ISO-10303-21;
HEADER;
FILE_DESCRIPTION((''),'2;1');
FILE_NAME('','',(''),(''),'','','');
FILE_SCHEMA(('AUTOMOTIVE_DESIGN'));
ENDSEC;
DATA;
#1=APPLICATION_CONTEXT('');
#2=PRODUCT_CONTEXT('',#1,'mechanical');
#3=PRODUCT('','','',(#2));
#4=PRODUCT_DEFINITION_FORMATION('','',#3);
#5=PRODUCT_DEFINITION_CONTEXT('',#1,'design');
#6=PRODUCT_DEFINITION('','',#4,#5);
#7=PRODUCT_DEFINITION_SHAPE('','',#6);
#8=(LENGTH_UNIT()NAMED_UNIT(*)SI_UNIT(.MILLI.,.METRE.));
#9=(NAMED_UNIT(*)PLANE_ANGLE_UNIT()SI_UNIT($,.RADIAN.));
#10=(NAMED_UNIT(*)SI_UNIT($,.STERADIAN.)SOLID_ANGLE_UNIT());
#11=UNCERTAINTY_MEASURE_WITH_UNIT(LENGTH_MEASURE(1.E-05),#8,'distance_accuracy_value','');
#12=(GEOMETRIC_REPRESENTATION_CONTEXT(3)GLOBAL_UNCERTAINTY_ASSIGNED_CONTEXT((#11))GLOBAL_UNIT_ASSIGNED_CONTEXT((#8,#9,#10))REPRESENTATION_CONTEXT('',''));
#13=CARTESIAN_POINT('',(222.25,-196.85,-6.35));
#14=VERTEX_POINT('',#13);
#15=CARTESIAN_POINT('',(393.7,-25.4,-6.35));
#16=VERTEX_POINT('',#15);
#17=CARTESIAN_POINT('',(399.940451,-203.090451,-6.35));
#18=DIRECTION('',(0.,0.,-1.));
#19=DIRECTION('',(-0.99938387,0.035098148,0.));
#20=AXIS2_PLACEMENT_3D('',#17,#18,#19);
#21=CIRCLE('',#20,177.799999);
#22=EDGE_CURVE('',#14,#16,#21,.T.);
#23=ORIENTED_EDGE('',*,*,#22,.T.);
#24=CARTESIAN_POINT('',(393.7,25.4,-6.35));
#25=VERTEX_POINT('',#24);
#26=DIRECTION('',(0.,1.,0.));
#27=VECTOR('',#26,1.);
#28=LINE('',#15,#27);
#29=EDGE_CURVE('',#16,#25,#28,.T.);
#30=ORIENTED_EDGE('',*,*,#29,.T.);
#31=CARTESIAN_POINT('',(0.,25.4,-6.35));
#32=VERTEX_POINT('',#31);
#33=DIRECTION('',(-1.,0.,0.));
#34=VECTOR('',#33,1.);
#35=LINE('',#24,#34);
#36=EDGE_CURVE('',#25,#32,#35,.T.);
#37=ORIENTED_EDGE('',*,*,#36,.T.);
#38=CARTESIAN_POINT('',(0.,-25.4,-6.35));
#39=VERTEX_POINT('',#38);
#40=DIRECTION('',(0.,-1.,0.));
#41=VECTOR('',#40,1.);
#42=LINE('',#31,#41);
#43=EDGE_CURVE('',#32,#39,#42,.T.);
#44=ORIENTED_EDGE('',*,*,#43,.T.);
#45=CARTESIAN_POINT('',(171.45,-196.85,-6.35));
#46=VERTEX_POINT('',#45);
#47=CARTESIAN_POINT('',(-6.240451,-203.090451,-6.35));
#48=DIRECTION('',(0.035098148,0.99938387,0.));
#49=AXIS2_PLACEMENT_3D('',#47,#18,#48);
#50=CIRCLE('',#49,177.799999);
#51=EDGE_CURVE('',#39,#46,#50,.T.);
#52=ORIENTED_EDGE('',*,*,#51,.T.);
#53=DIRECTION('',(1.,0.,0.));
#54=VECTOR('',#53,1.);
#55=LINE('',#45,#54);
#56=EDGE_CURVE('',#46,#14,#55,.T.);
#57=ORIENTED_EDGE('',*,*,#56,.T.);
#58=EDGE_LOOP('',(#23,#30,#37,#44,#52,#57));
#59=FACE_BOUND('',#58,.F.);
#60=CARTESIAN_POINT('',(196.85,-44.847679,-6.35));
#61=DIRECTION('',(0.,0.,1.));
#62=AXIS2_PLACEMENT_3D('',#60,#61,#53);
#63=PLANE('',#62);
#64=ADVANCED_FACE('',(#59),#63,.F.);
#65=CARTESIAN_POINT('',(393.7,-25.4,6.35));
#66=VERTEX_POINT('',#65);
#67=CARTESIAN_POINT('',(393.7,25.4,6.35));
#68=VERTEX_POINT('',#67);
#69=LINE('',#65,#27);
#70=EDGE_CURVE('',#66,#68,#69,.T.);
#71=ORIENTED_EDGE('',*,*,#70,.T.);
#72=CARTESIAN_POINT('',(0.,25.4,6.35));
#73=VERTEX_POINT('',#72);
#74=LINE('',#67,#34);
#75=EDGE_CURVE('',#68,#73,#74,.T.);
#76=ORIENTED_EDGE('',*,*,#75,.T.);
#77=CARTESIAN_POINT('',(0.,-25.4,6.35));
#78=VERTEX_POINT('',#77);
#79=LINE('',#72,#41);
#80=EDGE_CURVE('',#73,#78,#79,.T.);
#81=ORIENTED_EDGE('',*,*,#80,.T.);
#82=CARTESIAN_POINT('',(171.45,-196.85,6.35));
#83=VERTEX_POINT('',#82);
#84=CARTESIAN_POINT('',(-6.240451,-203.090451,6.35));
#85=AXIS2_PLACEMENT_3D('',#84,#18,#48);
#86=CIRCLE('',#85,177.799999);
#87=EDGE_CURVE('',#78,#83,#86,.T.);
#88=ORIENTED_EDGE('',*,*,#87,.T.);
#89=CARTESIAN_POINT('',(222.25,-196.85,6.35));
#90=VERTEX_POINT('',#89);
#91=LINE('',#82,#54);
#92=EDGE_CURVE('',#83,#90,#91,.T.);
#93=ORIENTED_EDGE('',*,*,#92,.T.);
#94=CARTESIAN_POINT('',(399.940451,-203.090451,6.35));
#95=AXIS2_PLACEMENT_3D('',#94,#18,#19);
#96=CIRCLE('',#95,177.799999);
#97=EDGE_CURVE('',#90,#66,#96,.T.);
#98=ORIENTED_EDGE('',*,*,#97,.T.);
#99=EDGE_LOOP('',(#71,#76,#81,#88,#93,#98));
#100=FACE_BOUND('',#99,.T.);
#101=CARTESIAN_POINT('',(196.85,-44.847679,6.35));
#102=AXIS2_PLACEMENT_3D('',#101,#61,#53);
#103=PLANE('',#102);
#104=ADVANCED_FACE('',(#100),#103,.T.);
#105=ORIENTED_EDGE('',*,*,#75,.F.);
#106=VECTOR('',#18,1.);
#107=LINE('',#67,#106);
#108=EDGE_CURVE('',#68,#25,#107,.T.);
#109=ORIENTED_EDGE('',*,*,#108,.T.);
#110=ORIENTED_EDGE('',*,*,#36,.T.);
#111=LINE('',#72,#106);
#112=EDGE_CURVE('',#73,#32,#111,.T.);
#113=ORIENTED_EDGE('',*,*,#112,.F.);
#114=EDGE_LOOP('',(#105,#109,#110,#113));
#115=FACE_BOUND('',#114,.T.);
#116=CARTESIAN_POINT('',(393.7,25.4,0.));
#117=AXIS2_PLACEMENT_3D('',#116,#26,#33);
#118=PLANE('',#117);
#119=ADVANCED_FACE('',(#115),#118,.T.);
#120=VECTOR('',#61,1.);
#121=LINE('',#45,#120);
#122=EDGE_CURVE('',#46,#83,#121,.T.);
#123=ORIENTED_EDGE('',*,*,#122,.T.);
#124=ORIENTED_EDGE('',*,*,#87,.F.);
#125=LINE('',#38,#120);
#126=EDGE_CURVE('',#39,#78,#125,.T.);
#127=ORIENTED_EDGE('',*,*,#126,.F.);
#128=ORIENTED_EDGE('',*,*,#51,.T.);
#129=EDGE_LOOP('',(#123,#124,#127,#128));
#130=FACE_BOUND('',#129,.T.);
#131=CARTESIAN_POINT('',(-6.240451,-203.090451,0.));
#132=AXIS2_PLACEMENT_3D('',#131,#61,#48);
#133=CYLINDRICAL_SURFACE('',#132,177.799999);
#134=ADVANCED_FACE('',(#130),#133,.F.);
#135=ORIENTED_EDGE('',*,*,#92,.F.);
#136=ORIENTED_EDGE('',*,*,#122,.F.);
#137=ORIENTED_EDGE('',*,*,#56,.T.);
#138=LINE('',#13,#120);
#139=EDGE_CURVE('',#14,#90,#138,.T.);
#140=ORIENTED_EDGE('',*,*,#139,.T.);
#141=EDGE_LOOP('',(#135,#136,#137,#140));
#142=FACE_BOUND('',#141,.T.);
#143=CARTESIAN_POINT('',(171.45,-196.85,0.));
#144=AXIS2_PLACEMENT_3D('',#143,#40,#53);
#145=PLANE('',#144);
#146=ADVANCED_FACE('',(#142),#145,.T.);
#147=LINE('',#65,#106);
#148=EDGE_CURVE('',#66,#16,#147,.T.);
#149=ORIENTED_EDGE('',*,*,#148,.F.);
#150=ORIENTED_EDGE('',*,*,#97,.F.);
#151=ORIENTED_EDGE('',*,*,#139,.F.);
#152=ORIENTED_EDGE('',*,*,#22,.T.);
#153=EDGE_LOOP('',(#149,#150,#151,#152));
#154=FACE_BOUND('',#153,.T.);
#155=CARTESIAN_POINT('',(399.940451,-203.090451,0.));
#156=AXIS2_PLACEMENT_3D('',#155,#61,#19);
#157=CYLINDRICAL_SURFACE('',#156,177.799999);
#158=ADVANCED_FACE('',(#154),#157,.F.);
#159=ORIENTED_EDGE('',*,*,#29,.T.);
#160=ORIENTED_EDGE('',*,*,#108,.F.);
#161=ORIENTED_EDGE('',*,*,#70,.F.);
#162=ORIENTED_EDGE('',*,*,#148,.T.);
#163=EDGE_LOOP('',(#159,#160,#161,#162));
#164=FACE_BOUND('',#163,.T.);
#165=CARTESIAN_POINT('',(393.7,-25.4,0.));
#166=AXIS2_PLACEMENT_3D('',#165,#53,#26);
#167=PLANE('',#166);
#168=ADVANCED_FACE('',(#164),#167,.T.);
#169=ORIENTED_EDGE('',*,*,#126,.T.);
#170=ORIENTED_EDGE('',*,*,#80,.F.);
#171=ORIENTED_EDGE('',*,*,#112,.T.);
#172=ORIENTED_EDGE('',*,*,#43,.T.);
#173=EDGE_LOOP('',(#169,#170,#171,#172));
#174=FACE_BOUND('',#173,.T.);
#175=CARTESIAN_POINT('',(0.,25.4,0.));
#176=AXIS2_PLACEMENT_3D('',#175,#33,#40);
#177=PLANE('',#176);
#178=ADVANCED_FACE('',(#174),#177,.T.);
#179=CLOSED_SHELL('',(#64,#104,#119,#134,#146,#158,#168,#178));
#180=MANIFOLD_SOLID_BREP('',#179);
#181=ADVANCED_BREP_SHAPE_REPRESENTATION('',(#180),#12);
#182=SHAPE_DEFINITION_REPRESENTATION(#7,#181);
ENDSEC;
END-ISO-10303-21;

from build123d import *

# Parameters (mm, degrees)
F1_DEPTH = 6.35


with BuildPart() as f1:
    # F0 (on Top) → F1 (new body, symmetric)
    with BuildSketch(Plane.XY):
        with BuildLine():
            Line((0, 25.4), (0, 0))
            Line((0, 0), (0, -25.4))
            ThreePointArc((0, -25.4), (119.483134, -77.366866), (171.45, -196.85))
            Line((171.45, -196.85), (196.85, -196.85))
            Line((196.85, -196.85), (222.25, -196.85))
            ThreePointArc((222.25, -196.85), (274.216866, -77.366866), (393.7, -25.4))
            Line((393.7, -25.4), (393.7, 0))
            Line((393.7, 0), (393.7, 25.4))
            Line((393.7, 25.4), (0, 25.4))
        make_face()
    extrude(amount=F1_DEPTH, both=True)


solid = f1.part
